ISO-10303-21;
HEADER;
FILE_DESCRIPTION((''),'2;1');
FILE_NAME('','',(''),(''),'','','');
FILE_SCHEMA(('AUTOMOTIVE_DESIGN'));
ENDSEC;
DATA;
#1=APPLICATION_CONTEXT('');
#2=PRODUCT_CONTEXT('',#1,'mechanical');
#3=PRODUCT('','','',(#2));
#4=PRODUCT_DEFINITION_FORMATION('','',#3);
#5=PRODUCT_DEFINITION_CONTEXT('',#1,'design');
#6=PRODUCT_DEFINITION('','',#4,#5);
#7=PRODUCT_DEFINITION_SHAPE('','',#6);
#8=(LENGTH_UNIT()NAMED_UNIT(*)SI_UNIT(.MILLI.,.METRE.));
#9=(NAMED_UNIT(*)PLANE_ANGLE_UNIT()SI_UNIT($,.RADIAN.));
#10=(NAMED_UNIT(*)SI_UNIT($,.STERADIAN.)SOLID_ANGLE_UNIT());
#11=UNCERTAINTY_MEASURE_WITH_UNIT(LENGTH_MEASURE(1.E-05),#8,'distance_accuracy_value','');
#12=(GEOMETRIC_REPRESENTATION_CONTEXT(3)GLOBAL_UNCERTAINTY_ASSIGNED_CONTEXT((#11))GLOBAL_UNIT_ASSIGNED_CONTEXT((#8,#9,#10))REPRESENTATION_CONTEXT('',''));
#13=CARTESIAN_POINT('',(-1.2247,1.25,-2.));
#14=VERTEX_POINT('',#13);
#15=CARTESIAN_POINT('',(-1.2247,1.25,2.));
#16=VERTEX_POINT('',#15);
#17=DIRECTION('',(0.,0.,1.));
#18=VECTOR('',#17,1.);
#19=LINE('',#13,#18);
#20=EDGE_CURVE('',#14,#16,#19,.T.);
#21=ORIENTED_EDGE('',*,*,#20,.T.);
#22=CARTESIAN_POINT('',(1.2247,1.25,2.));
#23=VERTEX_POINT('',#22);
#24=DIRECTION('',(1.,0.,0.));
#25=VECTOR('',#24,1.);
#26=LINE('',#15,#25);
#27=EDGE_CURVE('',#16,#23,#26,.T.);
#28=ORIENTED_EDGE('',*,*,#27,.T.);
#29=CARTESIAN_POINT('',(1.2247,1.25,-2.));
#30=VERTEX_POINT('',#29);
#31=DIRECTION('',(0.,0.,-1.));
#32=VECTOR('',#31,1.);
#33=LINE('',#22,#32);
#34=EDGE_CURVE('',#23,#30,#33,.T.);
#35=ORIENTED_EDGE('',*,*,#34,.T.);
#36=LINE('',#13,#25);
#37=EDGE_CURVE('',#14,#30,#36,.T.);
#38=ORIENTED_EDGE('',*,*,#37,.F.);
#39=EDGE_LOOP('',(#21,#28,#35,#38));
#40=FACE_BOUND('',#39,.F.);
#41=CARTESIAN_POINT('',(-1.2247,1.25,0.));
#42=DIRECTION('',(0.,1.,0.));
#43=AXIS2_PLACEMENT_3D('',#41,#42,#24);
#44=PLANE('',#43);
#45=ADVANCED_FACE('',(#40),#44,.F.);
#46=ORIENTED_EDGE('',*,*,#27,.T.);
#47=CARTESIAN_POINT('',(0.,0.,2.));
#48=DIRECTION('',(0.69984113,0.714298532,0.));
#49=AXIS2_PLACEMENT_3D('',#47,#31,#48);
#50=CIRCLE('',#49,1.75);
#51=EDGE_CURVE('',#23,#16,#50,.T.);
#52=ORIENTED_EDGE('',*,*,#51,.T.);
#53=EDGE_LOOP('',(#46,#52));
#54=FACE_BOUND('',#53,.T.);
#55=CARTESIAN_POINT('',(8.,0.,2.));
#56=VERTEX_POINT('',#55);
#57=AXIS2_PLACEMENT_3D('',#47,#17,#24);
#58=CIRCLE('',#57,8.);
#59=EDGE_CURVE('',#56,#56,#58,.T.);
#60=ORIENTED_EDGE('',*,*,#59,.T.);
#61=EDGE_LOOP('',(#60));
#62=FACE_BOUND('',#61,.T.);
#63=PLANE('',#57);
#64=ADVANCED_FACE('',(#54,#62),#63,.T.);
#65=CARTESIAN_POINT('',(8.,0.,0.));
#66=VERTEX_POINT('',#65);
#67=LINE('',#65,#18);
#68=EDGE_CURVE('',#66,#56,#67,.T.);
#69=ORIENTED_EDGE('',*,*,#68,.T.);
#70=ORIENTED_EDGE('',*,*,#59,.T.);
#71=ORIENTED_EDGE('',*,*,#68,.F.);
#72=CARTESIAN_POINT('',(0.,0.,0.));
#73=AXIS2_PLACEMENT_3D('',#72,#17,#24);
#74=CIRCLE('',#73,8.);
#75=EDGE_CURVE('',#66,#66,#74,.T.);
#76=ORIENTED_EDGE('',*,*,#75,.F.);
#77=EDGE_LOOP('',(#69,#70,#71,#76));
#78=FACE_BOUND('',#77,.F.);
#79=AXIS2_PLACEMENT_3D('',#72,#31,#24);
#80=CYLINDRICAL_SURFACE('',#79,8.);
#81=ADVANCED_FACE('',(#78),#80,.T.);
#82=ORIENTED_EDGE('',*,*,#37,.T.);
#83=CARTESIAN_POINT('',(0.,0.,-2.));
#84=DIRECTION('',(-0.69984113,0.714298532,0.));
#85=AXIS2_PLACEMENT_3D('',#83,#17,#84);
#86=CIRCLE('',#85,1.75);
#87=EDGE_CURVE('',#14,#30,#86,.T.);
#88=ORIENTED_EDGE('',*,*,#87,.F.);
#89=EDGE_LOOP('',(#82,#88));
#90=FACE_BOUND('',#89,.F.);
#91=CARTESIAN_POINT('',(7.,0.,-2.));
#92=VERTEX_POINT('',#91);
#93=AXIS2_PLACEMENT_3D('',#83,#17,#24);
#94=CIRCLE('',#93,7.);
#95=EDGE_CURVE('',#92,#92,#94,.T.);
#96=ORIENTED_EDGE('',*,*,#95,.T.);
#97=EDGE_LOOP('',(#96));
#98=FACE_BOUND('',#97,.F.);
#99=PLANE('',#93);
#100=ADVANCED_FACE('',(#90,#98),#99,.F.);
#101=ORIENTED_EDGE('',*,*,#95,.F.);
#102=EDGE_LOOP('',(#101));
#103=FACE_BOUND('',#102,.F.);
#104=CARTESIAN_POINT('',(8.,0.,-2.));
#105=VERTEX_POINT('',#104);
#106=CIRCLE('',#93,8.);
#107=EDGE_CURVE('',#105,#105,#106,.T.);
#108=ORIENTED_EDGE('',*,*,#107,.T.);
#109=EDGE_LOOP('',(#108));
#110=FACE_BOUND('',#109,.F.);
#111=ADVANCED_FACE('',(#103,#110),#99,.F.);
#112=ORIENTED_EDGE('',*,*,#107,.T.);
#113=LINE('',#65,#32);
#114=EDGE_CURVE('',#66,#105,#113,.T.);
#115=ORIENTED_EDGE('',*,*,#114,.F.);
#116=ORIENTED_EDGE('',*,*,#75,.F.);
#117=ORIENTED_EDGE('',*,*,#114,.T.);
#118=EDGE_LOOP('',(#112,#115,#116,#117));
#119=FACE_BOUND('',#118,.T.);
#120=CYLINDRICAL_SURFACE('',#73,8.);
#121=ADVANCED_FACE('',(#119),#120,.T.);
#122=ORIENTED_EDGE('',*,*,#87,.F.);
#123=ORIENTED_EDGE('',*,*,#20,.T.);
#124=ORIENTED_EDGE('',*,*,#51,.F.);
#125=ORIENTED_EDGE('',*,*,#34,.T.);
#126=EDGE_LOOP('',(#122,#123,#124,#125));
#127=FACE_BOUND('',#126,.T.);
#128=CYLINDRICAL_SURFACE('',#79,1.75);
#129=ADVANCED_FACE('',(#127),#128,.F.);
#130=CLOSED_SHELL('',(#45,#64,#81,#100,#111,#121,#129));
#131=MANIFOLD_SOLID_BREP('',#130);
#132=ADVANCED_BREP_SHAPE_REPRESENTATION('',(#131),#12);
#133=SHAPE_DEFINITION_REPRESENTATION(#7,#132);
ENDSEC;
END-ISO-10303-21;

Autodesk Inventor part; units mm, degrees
ref_plane "YZ Plane" through (0, 0, 0) normal (1, 0, 0) x (0, 1, 0)
ref_plane "XZ Plane" through (0, 0, 0) normal (0, 1, 0) x (-1, 0, 0)
ref_plane "XY Plane" through (0, 0, 0) normal (0, 0, 1) x (1, 0, 0)
sketch "Boceto1" plane through (0, 0, 0) normal (0, 0, 1) x (1, 0, 0)
  circle A0 centre (0, 0) radius 8
  circle A1 centre (0, 0) radius 7
  circle A2 centre (0, 0) radius 1.75
  line L0 (-1.2247, 1.25) -> (1.2247, 1.25)
  dimension "d0" = 3.5
  dimension "d1" = 14
  dimension "d2" = 16
  dimension "d3" = 0.5
extrude "Extrusión1" add sketch "Boceto1" along normal mid plane 4 contours A1 | L0 A2 picked at (0.0645, 1.4131)
extrude "Extrusión2" add sketch "Boceto1" along normal mid plane 4 contours A0
properties part number "Hudson 1-62C"
